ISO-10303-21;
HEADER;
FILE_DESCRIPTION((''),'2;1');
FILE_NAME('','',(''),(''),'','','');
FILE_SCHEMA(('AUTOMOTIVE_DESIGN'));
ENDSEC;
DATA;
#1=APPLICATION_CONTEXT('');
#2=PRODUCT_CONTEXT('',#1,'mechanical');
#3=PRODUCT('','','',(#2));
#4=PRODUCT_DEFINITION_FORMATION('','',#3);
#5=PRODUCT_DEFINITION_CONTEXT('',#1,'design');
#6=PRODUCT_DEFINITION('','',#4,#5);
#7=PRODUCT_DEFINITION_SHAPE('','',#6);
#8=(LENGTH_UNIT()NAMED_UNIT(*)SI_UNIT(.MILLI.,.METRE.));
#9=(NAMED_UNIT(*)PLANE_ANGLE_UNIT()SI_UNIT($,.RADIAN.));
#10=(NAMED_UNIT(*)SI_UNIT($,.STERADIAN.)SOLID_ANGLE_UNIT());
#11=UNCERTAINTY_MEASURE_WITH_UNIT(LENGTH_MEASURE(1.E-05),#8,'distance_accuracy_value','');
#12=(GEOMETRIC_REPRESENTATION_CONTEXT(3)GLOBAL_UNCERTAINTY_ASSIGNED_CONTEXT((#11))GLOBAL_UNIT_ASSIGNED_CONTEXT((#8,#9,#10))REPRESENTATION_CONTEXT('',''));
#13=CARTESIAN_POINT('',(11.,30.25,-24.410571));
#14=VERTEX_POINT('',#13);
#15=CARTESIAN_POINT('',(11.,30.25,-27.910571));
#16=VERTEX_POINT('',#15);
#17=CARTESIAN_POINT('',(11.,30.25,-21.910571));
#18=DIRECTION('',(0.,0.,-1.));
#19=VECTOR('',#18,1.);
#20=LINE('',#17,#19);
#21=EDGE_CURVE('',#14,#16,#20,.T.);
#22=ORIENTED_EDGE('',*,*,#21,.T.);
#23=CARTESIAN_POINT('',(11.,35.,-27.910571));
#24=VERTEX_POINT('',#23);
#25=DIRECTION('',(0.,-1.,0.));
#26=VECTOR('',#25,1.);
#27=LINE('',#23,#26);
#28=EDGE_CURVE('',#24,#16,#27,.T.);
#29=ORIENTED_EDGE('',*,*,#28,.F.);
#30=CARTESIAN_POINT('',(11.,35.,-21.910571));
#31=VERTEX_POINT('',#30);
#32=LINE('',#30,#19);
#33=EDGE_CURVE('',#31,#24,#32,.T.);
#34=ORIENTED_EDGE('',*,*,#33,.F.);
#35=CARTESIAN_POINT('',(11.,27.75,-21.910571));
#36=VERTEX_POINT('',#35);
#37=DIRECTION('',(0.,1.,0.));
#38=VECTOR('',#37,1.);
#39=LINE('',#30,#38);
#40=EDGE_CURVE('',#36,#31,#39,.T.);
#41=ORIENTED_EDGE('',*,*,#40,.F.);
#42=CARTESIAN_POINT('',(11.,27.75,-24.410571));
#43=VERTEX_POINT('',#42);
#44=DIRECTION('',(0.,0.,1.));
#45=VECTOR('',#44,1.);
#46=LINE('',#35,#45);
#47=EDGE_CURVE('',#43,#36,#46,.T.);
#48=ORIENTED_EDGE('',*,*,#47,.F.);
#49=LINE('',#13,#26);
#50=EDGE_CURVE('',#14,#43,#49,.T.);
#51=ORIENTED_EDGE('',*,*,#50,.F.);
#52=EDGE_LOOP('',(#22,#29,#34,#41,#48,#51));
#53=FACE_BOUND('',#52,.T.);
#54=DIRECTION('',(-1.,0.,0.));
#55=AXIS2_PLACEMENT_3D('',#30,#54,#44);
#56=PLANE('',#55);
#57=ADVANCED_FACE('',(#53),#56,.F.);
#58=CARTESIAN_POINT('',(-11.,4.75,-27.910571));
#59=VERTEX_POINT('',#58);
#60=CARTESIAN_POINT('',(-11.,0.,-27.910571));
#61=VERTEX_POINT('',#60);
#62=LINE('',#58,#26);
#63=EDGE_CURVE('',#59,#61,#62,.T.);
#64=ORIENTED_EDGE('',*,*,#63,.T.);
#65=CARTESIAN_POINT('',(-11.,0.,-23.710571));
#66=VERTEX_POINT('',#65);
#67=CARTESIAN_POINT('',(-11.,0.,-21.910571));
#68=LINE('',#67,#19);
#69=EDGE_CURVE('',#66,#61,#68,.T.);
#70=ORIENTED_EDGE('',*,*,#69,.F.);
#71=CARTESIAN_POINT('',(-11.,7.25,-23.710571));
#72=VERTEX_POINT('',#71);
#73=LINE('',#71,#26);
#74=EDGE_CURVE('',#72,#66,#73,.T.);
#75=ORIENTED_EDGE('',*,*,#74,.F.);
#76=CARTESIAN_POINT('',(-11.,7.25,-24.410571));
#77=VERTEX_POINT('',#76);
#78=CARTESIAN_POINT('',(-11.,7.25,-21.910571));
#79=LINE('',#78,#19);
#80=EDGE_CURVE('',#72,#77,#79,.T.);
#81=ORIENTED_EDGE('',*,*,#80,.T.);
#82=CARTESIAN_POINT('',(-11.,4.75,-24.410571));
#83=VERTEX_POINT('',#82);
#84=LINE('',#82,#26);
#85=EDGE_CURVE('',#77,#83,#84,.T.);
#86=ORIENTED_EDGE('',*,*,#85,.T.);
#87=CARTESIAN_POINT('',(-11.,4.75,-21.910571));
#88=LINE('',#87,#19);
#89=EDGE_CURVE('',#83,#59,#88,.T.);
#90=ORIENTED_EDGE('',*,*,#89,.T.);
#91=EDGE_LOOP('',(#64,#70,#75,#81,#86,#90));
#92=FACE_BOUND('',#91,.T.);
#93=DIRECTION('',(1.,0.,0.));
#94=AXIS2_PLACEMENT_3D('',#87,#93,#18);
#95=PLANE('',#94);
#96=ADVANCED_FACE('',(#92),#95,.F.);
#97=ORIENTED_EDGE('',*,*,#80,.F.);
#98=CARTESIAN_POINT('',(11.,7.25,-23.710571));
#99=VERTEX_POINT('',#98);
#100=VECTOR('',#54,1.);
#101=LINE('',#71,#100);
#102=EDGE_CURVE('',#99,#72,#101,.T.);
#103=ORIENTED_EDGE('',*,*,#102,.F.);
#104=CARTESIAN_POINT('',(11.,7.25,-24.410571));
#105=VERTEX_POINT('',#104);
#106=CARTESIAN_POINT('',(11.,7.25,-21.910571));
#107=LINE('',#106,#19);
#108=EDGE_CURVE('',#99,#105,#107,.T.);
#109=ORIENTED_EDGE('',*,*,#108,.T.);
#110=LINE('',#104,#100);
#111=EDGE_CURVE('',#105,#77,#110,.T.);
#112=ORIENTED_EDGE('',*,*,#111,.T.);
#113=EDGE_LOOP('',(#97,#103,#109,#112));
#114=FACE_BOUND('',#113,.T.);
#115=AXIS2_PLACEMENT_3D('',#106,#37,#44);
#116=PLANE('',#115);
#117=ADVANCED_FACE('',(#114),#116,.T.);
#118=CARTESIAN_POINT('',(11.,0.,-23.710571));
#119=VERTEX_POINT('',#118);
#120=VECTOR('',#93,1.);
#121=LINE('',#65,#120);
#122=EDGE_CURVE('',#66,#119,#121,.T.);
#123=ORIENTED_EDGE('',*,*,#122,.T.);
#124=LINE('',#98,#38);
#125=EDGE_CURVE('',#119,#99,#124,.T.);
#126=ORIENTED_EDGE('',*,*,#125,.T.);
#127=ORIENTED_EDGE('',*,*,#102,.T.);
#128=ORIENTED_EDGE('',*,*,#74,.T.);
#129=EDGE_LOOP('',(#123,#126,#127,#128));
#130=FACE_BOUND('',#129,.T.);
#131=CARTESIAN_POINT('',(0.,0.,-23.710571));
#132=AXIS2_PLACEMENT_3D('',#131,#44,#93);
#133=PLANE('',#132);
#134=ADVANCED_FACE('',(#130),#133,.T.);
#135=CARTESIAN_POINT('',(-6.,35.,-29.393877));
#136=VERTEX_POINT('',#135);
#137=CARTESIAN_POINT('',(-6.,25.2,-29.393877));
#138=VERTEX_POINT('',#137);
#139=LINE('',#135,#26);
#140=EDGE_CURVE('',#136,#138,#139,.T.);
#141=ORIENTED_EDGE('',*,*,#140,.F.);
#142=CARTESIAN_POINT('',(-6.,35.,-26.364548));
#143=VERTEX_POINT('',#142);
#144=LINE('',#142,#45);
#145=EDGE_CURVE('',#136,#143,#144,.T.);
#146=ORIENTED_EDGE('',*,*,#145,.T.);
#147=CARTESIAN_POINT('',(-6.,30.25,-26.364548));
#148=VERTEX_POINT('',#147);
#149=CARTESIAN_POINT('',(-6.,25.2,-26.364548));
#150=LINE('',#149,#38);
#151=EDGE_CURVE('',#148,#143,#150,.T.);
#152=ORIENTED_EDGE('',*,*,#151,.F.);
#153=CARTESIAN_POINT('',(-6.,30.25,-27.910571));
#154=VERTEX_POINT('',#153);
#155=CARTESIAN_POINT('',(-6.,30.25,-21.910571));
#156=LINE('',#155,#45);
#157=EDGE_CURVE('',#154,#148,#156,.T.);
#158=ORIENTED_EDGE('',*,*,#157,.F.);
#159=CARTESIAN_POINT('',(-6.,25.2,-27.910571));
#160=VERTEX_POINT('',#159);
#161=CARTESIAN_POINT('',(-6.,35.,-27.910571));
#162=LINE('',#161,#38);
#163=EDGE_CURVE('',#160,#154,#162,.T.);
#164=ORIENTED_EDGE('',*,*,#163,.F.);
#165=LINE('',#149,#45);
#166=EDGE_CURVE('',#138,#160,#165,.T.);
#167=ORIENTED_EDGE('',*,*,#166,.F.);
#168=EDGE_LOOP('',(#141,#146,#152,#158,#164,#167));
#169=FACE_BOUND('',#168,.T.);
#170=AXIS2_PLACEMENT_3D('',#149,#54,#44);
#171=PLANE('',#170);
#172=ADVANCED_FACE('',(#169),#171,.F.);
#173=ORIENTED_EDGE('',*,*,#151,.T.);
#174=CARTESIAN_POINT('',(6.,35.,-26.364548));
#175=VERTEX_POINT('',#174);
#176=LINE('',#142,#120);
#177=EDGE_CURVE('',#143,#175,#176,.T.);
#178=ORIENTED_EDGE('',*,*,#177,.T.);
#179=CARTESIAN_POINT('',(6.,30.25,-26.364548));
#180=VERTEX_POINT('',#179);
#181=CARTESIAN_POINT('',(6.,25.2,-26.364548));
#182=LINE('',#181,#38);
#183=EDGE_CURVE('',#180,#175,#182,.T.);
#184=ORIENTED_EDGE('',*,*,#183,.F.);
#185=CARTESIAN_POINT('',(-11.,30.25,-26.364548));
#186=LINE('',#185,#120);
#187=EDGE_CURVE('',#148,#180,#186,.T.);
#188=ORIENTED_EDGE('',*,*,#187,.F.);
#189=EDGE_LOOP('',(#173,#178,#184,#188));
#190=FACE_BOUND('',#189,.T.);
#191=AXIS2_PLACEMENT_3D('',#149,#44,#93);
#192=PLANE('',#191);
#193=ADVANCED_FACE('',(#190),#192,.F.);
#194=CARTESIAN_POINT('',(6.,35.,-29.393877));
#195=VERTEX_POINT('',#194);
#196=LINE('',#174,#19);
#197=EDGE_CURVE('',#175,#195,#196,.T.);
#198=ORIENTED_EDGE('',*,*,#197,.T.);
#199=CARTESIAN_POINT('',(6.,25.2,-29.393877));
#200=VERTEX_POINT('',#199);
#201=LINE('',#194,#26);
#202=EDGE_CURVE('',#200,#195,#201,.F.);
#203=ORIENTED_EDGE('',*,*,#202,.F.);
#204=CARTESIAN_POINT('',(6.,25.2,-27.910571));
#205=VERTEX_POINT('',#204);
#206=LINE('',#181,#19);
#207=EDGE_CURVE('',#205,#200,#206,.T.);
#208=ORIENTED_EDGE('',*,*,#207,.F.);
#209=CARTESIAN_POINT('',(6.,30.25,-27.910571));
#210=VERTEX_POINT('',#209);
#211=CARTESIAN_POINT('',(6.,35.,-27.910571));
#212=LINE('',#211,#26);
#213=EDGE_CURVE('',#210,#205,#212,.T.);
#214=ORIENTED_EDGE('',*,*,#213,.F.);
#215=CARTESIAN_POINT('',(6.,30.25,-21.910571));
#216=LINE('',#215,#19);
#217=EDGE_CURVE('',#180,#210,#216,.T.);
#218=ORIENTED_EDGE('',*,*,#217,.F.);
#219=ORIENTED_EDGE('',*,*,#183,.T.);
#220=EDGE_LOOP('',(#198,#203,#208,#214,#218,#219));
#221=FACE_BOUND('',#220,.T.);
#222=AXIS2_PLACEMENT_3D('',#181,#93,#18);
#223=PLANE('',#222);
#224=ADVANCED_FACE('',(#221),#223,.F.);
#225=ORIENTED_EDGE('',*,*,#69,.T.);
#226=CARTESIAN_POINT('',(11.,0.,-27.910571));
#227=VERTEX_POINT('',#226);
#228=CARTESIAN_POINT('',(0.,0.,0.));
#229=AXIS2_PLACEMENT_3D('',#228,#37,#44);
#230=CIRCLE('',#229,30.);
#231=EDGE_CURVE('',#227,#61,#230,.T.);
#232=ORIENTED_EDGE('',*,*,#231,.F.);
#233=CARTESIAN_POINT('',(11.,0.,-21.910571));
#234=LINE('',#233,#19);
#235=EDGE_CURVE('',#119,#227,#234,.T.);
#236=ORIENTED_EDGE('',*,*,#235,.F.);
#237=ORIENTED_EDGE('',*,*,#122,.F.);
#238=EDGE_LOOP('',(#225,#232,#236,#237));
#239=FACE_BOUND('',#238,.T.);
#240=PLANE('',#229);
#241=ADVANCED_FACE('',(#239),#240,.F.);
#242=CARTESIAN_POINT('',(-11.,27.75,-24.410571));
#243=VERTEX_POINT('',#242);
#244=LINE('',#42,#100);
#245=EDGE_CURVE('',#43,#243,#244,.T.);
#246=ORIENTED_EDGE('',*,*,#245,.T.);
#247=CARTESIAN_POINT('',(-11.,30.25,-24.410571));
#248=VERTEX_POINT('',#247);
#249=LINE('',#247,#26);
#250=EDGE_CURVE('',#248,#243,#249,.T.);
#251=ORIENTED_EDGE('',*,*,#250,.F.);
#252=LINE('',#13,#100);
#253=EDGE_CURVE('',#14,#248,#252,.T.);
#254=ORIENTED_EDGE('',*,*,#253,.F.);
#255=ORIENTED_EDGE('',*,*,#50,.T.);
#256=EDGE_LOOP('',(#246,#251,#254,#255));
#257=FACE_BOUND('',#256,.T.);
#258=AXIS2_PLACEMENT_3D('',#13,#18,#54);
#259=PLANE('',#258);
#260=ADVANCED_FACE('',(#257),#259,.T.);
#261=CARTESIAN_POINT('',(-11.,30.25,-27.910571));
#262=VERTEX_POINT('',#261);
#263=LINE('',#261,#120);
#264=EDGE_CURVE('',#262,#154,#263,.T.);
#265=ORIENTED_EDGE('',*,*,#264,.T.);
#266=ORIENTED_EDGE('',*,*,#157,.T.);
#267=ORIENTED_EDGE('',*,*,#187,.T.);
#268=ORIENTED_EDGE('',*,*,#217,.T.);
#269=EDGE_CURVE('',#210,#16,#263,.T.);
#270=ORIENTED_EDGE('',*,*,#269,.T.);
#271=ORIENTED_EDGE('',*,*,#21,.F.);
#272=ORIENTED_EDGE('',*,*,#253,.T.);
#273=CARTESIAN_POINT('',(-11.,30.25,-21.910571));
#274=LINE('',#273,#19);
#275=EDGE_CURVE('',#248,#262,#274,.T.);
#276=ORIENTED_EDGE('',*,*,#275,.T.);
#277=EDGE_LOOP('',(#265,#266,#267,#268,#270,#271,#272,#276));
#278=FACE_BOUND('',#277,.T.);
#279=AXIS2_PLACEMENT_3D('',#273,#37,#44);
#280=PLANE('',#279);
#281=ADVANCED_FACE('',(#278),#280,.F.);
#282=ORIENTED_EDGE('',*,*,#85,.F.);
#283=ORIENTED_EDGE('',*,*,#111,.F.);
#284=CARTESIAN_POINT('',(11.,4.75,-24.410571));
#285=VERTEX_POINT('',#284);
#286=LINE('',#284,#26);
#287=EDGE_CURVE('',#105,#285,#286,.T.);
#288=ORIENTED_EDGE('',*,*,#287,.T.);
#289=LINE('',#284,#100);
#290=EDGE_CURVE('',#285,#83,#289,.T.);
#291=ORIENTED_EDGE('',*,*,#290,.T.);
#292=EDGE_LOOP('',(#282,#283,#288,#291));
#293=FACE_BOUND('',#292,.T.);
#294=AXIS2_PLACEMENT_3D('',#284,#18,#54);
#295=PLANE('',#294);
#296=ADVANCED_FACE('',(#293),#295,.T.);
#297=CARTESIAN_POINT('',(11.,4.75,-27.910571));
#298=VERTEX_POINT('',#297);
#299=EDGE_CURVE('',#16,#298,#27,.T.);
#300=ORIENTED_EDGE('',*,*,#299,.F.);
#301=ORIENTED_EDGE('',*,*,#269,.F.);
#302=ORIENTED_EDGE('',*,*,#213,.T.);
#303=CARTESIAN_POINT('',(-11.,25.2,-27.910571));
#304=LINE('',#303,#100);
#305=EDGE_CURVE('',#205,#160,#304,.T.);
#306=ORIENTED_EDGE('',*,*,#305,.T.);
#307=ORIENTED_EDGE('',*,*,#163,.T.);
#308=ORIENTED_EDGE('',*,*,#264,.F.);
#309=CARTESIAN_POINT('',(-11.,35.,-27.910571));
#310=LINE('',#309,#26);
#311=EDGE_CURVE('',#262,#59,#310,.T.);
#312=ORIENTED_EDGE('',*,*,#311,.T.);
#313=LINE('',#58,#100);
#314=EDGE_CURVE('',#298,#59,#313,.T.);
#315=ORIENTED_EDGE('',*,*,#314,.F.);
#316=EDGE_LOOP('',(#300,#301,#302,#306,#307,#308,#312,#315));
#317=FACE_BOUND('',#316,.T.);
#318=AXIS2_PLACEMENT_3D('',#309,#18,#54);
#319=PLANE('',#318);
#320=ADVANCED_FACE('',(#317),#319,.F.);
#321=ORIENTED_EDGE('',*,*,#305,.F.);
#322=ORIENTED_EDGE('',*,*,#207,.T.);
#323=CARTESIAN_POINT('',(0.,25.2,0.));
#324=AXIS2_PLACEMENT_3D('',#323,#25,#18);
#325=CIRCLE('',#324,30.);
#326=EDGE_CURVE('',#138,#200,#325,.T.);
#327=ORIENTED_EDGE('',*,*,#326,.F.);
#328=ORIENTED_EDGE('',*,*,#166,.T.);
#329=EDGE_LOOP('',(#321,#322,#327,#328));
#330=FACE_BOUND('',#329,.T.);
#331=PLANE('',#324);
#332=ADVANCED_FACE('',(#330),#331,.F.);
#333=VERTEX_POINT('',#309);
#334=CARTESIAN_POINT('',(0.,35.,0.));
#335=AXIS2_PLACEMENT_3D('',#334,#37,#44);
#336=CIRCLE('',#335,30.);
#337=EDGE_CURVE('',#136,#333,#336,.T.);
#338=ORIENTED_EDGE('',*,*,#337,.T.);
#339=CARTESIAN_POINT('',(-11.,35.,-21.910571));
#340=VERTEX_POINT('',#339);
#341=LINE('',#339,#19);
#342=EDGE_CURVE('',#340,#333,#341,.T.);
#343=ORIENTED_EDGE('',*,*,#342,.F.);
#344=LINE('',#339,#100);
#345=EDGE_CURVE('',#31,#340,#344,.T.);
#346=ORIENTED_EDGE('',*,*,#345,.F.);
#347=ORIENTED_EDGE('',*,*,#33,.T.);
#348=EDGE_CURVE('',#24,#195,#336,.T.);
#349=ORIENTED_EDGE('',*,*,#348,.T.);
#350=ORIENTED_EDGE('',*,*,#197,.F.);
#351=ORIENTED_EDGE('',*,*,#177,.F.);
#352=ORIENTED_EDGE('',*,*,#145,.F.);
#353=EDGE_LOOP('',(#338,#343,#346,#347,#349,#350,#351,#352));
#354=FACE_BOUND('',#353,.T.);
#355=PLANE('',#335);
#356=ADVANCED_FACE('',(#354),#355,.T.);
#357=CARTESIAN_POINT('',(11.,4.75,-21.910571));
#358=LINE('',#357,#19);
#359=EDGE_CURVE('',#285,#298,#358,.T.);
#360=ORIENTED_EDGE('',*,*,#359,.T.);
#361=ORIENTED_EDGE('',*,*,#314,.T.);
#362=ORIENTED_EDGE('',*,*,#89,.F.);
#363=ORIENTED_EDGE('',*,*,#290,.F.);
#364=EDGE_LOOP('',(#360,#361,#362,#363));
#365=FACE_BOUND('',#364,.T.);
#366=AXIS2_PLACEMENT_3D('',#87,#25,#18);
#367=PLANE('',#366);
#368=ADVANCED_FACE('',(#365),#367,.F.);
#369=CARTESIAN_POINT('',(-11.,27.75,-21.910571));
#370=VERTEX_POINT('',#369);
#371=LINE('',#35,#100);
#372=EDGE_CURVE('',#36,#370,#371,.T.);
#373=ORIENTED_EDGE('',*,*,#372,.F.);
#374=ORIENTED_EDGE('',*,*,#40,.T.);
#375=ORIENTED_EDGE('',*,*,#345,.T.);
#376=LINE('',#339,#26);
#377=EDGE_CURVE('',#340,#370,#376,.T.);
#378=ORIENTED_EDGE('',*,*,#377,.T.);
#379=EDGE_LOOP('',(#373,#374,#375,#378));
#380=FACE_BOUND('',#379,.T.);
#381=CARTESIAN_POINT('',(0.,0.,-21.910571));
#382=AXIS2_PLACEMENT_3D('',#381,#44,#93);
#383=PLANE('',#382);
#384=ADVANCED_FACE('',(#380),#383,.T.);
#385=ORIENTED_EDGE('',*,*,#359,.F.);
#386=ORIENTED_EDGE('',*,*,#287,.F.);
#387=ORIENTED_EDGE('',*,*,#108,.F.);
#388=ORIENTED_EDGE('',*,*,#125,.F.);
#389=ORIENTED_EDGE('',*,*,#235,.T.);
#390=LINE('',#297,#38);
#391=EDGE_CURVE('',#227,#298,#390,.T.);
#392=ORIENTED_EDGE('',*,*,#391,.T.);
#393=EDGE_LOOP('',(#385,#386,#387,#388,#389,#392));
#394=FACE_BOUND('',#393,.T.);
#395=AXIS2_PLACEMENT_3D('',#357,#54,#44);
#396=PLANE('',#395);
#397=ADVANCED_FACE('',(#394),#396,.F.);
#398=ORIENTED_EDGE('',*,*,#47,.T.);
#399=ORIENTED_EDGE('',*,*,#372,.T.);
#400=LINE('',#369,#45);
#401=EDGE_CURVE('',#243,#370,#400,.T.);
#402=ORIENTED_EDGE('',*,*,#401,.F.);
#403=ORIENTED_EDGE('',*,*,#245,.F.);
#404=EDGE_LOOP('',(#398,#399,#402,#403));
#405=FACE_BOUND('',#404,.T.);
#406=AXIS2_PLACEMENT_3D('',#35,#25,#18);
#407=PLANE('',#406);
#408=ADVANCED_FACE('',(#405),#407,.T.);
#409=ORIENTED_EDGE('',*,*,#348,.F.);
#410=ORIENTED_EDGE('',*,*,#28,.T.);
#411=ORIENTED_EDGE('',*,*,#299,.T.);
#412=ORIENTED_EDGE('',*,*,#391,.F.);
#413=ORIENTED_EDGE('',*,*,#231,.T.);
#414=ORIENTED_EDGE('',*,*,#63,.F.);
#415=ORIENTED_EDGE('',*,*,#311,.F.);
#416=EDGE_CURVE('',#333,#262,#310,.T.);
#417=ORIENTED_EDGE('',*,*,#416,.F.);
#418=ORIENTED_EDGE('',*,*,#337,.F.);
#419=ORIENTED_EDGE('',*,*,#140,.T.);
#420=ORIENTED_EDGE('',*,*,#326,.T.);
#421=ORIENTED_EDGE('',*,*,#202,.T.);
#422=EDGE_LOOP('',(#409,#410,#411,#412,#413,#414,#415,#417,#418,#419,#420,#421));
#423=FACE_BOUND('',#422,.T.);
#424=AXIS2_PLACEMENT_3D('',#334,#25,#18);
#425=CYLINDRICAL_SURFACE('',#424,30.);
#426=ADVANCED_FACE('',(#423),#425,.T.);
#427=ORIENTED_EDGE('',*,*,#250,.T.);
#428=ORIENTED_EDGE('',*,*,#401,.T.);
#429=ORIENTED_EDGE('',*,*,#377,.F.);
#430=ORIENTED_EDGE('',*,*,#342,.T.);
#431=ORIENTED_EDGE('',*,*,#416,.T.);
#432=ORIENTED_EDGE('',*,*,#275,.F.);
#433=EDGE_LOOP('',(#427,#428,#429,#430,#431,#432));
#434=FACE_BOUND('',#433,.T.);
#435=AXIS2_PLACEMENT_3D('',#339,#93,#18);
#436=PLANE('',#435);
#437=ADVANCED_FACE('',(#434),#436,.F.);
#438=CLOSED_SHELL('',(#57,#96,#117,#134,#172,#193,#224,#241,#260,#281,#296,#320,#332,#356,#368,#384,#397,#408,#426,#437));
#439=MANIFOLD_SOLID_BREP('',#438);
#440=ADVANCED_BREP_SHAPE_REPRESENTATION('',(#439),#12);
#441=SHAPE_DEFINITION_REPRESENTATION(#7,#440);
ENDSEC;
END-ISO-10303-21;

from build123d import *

# Parameters (mm, degrees)
BOSS_EXTRUDE1_DEPTH = 35
SKETCH2_W           = 22
SKETCH2_H           = 4.75
BOSS_EXTRUDE2_DEPTH = 6
SKETCH3_W           = 2.5
SKETCH3_H           = 2.5
BOSS_EXTRUDE3_DEPTH = 22
SKETCH4_W           = 22
SKETCH4_H           = 7.25
CUT_EXTRUDE1_DEPTH  = 1.8
SKETCH5_W           = 12
SKETCH5_H           = 5.357838174
CUT_EXTRUDE2_DEPTH  = 9.8


with BuildPart() as part:
    # Sketch1 → Boss-Extrude1 (new body)
    with BuildSketch(Plane(origin=(0, 0, 0), x_dir=(1, 0, 0), z_dir=(0, 1, 0))):
        with BuildLine():
            Line((-11, 27.910571474), (11, 27.910571474))
            ThreePointArc((11, 27.910571474), (0, 30), (-11, 27.910571474))
        make_face()
    extrude(amount=BOSS_EXTRUDE1_DEPTH)

    # Sketch2 → Boss-Extrude2 (add)
    with BuildSketch(Plane.XY.offset(-27.910571474)):
        with Locations((0, 32.625)):
            Rectangle(SKETCH2_W, SKETCH2_H)
        with Locations((0, 2.375)):
            Rectangle(SKETCH2_W, SKETCH2_H)
    extrude(amount=BOSS_EXTRUDE2_DEPTH)

    # Sketch3 → Boss-Extrude3 (add, through all)
    with BuildSketch(Plane.ZY.offset(11)):
        with Locations((-23.160571474, 29)):
            Rectangle(SKETCH3_W, SKETCH3_H)
        with Locations((-23.160571474, 6)):
            Rectangle(SKETCH3_W, SKETCH3_H)
    extrude(amount=-BOSS_EXTRUDE3_DEPTH)

    # Sketch4 → Cut-Extrude1 (cut)
    with BuildSketch(Plane.XY.offset(-21.910571474)):
        with Locations((0, 3.625)):
            Rectangle(SKETCH4_W, SKETCH4_H)
    extrude(amount=-CUT_EXTRUDE1_DEPTH, mode=Mode.SUBTRACT)

    # Sketch5 → Cut-Extrude2 (cut)
    with BuildSketch(Plane(origin=(0, 35, 0), x_dir=(1, 0, 0), z_dir=(0, 1, 0))):
        with Locations((0, 29.043466622)):
            Rectangle(SKETCH5_W, SKETCH5_H)
    extrude(amount=-CUT_EXTRUDE2_DEPTH, mode=Mode.SUBTRACT)


solid = part.part
